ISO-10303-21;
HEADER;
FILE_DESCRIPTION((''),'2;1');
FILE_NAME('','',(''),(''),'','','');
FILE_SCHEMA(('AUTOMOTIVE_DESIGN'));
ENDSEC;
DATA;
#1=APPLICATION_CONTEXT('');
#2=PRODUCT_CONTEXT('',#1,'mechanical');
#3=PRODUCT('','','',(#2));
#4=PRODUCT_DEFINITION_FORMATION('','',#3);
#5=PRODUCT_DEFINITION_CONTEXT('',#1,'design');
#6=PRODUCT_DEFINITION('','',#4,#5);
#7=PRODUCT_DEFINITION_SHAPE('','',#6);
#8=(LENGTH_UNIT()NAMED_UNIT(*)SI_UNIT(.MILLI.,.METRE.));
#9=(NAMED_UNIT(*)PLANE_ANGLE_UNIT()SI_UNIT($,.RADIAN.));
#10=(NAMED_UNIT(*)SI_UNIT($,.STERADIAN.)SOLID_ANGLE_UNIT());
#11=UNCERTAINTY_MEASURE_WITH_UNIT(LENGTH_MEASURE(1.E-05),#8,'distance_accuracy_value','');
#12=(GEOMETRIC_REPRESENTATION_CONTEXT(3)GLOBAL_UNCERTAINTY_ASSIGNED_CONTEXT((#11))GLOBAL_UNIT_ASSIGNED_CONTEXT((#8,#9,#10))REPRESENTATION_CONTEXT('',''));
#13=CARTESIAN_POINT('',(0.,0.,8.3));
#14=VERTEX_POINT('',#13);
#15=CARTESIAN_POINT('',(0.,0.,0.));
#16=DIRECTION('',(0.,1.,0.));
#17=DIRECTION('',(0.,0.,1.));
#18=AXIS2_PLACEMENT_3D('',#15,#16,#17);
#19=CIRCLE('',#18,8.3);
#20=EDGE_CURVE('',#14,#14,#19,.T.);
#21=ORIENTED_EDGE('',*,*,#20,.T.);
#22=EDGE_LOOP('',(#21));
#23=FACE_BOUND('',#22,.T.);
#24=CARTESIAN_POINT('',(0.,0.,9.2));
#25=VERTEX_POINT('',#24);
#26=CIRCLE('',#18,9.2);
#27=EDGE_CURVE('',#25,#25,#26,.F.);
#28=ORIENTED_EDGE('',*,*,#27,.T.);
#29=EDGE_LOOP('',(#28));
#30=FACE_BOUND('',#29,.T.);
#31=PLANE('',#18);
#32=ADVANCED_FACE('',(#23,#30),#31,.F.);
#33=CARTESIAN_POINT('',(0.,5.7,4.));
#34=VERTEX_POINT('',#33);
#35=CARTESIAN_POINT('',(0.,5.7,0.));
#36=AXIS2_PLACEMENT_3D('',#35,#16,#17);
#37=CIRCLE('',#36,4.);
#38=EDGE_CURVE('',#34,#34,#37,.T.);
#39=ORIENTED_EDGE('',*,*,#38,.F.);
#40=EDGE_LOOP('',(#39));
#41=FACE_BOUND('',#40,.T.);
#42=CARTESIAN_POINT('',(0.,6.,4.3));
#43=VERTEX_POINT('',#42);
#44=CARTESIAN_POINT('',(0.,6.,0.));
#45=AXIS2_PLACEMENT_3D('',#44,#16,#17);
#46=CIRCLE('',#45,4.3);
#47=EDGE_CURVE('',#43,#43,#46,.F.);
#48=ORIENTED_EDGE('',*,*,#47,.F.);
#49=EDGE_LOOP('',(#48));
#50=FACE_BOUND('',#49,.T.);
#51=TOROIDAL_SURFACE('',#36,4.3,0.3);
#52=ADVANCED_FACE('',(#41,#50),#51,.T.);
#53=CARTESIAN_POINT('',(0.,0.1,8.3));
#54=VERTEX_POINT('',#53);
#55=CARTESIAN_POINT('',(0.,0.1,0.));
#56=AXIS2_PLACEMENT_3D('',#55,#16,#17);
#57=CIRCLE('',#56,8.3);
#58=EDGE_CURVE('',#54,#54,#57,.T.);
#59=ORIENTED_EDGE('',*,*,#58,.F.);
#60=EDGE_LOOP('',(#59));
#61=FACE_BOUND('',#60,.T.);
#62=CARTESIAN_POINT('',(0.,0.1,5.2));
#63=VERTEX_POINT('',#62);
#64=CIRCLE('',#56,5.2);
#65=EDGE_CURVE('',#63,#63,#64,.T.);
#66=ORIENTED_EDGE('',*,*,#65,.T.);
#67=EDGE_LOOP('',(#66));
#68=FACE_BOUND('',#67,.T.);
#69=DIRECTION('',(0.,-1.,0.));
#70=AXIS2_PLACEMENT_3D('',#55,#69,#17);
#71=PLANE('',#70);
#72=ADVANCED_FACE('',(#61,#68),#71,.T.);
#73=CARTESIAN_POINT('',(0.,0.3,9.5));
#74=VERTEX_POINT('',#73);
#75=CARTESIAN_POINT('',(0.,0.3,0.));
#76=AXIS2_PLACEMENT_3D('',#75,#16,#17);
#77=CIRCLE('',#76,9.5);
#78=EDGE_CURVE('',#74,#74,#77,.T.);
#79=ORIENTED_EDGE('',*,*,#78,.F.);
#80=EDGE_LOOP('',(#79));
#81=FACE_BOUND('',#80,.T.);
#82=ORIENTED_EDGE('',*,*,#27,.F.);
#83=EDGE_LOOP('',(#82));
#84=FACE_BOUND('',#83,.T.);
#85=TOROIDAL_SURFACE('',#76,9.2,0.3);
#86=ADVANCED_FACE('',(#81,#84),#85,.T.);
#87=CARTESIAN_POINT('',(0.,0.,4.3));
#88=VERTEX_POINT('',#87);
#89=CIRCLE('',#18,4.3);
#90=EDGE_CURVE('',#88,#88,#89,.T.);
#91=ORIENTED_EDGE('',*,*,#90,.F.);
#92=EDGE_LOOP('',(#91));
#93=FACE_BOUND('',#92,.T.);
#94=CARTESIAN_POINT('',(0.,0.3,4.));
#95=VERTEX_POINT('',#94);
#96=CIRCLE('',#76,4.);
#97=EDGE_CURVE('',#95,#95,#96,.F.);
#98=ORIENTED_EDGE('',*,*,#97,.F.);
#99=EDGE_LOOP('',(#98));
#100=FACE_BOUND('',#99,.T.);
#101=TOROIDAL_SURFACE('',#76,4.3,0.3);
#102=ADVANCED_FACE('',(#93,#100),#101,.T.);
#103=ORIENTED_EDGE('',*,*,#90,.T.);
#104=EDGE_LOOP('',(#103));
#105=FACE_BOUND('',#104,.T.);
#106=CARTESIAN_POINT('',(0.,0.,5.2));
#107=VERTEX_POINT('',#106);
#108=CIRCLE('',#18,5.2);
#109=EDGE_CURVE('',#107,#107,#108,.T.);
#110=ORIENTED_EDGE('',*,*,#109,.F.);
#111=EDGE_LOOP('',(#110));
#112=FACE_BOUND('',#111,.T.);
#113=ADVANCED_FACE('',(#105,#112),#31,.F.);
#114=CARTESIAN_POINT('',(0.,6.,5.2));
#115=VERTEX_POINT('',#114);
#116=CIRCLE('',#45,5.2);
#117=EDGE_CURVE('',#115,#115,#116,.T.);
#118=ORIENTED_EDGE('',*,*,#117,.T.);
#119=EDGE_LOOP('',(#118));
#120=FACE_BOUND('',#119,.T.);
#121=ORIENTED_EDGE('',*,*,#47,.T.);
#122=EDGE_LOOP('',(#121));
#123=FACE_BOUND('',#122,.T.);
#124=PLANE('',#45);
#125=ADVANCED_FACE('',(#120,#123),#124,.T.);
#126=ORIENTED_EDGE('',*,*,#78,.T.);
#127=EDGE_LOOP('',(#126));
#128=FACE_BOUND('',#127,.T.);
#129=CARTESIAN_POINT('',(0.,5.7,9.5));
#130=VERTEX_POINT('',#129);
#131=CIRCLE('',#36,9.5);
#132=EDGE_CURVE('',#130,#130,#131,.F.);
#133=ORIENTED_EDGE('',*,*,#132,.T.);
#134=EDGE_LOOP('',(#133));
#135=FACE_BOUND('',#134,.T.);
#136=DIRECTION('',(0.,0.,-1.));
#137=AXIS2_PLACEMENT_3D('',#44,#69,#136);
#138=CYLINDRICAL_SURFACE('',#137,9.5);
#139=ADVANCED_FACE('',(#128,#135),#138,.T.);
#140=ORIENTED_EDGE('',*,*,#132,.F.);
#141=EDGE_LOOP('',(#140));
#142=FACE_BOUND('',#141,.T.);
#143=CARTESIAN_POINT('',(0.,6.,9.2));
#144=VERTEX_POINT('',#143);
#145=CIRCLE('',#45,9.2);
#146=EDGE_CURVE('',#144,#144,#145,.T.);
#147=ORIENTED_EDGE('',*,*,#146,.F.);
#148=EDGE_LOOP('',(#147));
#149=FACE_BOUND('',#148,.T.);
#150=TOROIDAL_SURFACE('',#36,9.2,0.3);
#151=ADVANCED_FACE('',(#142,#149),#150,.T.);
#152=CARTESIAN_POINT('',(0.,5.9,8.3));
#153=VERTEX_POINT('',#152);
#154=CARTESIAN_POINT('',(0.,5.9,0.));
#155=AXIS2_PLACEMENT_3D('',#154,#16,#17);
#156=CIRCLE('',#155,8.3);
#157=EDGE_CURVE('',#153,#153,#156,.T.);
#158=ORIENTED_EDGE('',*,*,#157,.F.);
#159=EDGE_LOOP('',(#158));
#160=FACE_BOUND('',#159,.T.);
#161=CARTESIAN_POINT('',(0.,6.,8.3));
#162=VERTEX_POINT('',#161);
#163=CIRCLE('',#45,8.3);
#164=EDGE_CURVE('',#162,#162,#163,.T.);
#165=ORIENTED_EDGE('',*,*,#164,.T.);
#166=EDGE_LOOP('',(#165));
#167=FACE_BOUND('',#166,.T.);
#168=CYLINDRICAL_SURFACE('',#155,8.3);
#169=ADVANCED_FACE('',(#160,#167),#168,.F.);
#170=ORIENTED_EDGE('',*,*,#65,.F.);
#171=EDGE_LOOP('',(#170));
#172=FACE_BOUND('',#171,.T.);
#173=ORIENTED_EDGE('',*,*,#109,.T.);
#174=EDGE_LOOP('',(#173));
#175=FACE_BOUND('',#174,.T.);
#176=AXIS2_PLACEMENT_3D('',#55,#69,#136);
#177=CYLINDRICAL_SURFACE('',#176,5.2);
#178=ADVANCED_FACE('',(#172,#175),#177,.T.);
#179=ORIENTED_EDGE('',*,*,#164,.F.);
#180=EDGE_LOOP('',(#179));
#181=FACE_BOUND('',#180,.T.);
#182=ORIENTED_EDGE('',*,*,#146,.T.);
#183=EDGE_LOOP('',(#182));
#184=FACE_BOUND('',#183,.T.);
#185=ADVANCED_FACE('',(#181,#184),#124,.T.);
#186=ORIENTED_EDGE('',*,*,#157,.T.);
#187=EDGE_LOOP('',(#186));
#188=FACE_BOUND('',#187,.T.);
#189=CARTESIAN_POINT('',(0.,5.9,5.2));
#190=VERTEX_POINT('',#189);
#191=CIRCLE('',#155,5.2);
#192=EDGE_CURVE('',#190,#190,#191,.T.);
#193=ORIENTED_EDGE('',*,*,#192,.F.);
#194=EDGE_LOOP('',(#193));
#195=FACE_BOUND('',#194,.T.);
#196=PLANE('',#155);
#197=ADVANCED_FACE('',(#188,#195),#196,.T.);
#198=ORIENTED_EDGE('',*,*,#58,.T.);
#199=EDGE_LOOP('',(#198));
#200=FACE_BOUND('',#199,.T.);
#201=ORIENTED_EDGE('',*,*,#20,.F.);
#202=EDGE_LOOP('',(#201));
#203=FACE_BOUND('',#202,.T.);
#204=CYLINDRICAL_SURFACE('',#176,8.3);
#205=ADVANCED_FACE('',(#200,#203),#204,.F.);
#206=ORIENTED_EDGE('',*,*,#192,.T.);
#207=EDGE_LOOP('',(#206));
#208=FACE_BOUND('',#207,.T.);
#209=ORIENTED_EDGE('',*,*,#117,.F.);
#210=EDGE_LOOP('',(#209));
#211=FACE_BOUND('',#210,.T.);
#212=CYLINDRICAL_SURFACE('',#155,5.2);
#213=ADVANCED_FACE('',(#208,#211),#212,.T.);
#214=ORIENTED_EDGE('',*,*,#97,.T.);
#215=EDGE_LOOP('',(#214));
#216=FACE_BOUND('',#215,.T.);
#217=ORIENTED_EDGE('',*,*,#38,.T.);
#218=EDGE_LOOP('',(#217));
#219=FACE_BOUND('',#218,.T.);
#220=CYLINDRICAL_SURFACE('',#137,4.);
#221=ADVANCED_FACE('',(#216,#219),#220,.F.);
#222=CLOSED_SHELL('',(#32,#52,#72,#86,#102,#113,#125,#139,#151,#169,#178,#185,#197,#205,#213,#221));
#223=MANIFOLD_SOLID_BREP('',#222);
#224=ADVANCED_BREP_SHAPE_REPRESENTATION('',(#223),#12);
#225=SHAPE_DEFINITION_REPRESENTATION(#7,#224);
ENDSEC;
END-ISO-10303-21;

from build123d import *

# Parameters (mm, degrees)
CROQUIS1_R              = 9.5
CROQUIS1_R_2            = 4
SALIENTE_EXTRUIR1_DEPTH = 6
CROQUIS2_R              = 8.3
CROQUIS2_R_2            = 5.2
CORTAR_EXTRUIR1_DEPTH   = 0.1
REDONDEO1_R             = 0.3


with BuildPart() as part:
    # Croquis1 → Saliente-Extruir1 (new body)
    with BuildSketch(Plane(origin=(0, 0, 0), x_dir=(1, 0, 0), z_dir=(0, 1, 0))):
        with Locations(Location((0, 0, 0), (0, 0, 270))):
            Circle(CROQUIS1_R)
        with Locations(Location((0, 0, 0), (0, 0, 270))):
            Circle(CROQUIS1_R_2, mode=Mode.SUBTRACT)
    extrude(amount=SALIENTE_EXTRUIR1_DEPTH)

    # Croquis2 → Cortar-Extruir1 (cut)
    with BuildSketch(Plane(origin=(0, 6, 0), x_dir=(1, 0, 0), z_dir=(0, 1, 0))):
        with Locations(Location((0, 0, 0), (0, 0, 270))):
            Circle(CROQUIS2_R)
        with Locations(Location((0, 0, 0), (0, 0, 270))):
            Circle(CROQUIS2_R_2, mode=Mode.SUBTRACT)
    cortar_extruir1 = extrude(amount=-CORTAR_EXTRUIR1_DEPTH, mode=Mode.SUBTRACT)

    # Simetría1: Cortar-Extruir1 across plane
    add(cortar_extruir1.mirror(Plane.ZX.offset(3)), mode=Mode.SUBTRACT)

    # Redondeo1
    redondeo1_edges = [part.edges().sort_by_distance(p)[0] for p in [
        (0, 0, -9.5),
        (0, 6, -9.5),
        (0, 0, -4),
        (0, 6, -4),
    ]]
    fillet(redondeo1_edges, radius=REDONDEO1_R)


solid = part.part
